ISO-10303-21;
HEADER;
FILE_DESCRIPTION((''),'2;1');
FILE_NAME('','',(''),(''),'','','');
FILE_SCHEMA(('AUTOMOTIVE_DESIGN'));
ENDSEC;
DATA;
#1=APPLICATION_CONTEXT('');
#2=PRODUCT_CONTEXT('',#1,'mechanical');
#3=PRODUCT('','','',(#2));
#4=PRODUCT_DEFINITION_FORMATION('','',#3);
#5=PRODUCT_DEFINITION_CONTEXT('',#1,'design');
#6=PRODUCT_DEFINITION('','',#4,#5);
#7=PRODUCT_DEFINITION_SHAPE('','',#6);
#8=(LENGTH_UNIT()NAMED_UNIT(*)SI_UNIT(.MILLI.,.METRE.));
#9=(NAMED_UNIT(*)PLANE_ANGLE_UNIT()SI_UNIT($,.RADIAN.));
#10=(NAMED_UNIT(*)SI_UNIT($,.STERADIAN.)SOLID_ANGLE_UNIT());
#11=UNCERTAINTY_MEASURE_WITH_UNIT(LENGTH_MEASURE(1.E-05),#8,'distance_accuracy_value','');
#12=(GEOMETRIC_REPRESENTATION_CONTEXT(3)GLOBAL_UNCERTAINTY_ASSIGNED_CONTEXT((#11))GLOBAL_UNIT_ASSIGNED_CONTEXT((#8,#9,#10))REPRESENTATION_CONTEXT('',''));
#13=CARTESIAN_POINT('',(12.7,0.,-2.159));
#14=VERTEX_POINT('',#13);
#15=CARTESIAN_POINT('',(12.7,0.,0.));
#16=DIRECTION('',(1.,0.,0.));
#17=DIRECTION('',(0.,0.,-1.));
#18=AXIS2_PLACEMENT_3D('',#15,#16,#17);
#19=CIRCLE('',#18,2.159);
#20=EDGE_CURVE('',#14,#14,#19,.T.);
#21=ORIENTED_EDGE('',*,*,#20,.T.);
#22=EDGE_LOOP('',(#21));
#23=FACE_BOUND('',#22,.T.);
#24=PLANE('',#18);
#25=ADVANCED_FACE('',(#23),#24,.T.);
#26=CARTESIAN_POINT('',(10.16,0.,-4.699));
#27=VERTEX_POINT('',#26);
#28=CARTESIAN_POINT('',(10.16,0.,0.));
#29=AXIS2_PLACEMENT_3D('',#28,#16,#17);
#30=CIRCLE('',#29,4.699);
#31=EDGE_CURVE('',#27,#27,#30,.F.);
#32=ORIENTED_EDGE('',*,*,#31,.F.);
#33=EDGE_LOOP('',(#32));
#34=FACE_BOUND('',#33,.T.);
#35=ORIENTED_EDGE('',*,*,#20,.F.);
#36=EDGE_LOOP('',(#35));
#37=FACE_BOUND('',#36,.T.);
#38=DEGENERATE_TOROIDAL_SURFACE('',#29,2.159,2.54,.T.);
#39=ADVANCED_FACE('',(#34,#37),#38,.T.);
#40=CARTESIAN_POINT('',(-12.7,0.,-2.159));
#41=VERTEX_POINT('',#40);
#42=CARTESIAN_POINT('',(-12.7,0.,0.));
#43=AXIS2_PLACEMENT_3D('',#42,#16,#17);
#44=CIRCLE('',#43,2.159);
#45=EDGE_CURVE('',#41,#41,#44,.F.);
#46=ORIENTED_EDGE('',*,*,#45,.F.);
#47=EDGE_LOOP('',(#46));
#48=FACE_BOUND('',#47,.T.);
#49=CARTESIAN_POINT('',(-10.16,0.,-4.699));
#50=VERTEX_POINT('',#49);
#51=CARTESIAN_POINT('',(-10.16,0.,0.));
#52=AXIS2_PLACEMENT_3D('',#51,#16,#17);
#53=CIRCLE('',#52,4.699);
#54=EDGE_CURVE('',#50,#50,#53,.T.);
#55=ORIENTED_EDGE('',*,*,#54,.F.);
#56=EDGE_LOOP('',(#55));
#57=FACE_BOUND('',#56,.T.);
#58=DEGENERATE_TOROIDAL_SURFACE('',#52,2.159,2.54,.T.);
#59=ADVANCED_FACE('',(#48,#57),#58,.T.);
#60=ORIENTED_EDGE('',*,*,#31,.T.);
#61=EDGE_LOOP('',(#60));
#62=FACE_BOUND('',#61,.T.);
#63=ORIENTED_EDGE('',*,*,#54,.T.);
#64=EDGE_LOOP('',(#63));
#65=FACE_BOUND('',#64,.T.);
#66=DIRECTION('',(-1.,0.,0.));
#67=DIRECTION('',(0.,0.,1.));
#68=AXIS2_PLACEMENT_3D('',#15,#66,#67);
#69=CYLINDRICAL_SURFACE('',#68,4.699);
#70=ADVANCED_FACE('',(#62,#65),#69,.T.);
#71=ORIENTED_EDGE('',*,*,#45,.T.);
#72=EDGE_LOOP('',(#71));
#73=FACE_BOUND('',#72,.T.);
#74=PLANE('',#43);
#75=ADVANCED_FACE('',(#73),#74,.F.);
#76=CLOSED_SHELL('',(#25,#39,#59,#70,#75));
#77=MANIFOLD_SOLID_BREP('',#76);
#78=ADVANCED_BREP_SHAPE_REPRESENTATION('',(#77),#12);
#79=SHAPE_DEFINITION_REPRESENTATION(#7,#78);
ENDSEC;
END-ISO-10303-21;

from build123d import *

# Parameters (mm, degrees)
SKETCH1_R           = 4.699
BOSS_EXTRUDE1_DEPTH = 12.7
FILLET1_R           = 2.54


with BuildPart() as part:
    # Sketch1 → Boss-Extrude1 (new body, symmetric)
    with BuildSketch(Plane(origin=(0, 0, 0), x_dir=(0, 0, -1), z_dir=(1, 0, 0))):
        Circle(SKETCH1_R)
    extrude(amount=BOSS_EXTRUDE1_DEPTH, both=True)

    # Fillet1
    fillet1_edges = [part.edges().sort_by_distance(p)[0] for p in [
        (-12.7, 0, 4.699),
        (12.7, 0, 4.699),
    ]]
    fillet(fillet1_edges, radius=FILLET1_R)


solid = part.part
